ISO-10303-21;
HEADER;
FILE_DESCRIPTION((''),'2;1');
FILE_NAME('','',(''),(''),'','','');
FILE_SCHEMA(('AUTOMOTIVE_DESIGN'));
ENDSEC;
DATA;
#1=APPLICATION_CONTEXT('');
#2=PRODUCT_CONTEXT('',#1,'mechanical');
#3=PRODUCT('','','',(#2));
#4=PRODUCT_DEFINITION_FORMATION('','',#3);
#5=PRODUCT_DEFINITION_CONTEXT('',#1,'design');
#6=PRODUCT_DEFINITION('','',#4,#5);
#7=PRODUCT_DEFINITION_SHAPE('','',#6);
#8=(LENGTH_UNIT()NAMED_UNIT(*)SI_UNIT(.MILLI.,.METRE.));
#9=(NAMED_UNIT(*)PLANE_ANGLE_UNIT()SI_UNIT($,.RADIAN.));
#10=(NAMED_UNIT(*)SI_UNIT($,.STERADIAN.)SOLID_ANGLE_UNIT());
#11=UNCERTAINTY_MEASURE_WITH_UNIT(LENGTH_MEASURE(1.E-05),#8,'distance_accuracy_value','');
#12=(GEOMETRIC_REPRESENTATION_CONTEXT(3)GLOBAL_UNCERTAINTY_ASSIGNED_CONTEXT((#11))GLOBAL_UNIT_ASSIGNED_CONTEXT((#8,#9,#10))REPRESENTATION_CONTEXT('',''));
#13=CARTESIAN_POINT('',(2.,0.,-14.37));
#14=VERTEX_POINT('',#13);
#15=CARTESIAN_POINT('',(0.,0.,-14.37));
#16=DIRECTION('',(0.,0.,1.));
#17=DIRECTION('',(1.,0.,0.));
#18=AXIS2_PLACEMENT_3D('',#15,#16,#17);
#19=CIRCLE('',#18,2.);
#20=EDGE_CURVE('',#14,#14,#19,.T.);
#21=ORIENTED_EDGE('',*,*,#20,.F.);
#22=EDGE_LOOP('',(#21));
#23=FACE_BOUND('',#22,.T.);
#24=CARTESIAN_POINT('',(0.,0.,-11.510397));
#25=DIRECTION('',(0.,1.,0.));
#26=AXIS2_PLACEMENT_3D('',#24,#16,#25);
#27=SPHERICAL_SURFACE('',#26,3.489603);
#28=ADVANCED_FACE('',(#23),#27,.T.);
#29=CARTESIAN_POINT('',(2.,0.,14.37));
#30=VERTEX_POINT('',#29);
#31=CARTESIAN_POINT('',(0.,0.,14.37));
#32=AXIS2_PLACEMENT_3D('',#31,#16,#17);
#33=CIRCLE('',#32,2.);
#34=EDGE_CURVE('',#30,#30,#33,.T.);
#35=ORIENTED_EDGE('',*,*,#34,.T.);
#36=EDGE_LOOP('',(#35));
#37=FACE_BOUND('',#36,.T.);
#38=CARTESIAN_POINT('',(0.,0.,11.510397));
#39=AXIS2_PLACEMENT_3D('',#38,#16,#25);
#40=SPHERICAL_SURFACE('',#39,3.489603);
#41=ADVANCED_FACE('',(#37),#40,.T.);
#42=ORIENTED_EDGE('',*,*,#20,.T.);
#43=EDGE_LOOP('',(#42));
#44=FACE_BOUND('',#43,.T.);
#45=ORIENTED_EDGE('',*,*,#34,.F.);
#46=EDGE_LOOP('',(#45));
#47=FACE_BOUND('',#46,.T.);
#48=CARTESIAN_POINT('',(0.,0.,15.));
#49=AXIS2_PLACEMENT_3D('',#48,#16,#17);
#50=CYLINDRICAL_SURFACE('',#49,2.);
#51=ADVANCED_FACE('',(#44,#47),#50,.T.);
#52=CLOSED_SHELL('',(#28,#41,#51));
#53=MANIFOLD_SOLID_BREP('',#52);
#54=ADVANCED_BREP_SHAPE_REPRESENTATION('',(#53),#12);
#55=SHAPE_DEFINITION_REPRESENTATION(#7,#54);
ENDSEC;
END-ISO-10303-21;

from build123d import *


with BuildPart() as part:
    # 草圖1 → 旋轉1 (revolve)
    with BuildSketch(Plane(origin=(0, 0, 0), x_dir=(0, 0, -1), z_dir=(1, 0, 0))):
        with BuildLine():
            Line((-14.37, 2), (14.37, 2))
            ThreePointArc((14.37, 2), (14.838775607, 1.048439316), (15, 0))
            Line((15, 0), (-15, 0))
            ThreePointArc((-15, 0), (-14.838775607, 1.048439316), (-14.37, 2))
        make_face()
    revolve(axis=Axis((0, 0, 15), (0, 0, -1)))


solid = part.part
